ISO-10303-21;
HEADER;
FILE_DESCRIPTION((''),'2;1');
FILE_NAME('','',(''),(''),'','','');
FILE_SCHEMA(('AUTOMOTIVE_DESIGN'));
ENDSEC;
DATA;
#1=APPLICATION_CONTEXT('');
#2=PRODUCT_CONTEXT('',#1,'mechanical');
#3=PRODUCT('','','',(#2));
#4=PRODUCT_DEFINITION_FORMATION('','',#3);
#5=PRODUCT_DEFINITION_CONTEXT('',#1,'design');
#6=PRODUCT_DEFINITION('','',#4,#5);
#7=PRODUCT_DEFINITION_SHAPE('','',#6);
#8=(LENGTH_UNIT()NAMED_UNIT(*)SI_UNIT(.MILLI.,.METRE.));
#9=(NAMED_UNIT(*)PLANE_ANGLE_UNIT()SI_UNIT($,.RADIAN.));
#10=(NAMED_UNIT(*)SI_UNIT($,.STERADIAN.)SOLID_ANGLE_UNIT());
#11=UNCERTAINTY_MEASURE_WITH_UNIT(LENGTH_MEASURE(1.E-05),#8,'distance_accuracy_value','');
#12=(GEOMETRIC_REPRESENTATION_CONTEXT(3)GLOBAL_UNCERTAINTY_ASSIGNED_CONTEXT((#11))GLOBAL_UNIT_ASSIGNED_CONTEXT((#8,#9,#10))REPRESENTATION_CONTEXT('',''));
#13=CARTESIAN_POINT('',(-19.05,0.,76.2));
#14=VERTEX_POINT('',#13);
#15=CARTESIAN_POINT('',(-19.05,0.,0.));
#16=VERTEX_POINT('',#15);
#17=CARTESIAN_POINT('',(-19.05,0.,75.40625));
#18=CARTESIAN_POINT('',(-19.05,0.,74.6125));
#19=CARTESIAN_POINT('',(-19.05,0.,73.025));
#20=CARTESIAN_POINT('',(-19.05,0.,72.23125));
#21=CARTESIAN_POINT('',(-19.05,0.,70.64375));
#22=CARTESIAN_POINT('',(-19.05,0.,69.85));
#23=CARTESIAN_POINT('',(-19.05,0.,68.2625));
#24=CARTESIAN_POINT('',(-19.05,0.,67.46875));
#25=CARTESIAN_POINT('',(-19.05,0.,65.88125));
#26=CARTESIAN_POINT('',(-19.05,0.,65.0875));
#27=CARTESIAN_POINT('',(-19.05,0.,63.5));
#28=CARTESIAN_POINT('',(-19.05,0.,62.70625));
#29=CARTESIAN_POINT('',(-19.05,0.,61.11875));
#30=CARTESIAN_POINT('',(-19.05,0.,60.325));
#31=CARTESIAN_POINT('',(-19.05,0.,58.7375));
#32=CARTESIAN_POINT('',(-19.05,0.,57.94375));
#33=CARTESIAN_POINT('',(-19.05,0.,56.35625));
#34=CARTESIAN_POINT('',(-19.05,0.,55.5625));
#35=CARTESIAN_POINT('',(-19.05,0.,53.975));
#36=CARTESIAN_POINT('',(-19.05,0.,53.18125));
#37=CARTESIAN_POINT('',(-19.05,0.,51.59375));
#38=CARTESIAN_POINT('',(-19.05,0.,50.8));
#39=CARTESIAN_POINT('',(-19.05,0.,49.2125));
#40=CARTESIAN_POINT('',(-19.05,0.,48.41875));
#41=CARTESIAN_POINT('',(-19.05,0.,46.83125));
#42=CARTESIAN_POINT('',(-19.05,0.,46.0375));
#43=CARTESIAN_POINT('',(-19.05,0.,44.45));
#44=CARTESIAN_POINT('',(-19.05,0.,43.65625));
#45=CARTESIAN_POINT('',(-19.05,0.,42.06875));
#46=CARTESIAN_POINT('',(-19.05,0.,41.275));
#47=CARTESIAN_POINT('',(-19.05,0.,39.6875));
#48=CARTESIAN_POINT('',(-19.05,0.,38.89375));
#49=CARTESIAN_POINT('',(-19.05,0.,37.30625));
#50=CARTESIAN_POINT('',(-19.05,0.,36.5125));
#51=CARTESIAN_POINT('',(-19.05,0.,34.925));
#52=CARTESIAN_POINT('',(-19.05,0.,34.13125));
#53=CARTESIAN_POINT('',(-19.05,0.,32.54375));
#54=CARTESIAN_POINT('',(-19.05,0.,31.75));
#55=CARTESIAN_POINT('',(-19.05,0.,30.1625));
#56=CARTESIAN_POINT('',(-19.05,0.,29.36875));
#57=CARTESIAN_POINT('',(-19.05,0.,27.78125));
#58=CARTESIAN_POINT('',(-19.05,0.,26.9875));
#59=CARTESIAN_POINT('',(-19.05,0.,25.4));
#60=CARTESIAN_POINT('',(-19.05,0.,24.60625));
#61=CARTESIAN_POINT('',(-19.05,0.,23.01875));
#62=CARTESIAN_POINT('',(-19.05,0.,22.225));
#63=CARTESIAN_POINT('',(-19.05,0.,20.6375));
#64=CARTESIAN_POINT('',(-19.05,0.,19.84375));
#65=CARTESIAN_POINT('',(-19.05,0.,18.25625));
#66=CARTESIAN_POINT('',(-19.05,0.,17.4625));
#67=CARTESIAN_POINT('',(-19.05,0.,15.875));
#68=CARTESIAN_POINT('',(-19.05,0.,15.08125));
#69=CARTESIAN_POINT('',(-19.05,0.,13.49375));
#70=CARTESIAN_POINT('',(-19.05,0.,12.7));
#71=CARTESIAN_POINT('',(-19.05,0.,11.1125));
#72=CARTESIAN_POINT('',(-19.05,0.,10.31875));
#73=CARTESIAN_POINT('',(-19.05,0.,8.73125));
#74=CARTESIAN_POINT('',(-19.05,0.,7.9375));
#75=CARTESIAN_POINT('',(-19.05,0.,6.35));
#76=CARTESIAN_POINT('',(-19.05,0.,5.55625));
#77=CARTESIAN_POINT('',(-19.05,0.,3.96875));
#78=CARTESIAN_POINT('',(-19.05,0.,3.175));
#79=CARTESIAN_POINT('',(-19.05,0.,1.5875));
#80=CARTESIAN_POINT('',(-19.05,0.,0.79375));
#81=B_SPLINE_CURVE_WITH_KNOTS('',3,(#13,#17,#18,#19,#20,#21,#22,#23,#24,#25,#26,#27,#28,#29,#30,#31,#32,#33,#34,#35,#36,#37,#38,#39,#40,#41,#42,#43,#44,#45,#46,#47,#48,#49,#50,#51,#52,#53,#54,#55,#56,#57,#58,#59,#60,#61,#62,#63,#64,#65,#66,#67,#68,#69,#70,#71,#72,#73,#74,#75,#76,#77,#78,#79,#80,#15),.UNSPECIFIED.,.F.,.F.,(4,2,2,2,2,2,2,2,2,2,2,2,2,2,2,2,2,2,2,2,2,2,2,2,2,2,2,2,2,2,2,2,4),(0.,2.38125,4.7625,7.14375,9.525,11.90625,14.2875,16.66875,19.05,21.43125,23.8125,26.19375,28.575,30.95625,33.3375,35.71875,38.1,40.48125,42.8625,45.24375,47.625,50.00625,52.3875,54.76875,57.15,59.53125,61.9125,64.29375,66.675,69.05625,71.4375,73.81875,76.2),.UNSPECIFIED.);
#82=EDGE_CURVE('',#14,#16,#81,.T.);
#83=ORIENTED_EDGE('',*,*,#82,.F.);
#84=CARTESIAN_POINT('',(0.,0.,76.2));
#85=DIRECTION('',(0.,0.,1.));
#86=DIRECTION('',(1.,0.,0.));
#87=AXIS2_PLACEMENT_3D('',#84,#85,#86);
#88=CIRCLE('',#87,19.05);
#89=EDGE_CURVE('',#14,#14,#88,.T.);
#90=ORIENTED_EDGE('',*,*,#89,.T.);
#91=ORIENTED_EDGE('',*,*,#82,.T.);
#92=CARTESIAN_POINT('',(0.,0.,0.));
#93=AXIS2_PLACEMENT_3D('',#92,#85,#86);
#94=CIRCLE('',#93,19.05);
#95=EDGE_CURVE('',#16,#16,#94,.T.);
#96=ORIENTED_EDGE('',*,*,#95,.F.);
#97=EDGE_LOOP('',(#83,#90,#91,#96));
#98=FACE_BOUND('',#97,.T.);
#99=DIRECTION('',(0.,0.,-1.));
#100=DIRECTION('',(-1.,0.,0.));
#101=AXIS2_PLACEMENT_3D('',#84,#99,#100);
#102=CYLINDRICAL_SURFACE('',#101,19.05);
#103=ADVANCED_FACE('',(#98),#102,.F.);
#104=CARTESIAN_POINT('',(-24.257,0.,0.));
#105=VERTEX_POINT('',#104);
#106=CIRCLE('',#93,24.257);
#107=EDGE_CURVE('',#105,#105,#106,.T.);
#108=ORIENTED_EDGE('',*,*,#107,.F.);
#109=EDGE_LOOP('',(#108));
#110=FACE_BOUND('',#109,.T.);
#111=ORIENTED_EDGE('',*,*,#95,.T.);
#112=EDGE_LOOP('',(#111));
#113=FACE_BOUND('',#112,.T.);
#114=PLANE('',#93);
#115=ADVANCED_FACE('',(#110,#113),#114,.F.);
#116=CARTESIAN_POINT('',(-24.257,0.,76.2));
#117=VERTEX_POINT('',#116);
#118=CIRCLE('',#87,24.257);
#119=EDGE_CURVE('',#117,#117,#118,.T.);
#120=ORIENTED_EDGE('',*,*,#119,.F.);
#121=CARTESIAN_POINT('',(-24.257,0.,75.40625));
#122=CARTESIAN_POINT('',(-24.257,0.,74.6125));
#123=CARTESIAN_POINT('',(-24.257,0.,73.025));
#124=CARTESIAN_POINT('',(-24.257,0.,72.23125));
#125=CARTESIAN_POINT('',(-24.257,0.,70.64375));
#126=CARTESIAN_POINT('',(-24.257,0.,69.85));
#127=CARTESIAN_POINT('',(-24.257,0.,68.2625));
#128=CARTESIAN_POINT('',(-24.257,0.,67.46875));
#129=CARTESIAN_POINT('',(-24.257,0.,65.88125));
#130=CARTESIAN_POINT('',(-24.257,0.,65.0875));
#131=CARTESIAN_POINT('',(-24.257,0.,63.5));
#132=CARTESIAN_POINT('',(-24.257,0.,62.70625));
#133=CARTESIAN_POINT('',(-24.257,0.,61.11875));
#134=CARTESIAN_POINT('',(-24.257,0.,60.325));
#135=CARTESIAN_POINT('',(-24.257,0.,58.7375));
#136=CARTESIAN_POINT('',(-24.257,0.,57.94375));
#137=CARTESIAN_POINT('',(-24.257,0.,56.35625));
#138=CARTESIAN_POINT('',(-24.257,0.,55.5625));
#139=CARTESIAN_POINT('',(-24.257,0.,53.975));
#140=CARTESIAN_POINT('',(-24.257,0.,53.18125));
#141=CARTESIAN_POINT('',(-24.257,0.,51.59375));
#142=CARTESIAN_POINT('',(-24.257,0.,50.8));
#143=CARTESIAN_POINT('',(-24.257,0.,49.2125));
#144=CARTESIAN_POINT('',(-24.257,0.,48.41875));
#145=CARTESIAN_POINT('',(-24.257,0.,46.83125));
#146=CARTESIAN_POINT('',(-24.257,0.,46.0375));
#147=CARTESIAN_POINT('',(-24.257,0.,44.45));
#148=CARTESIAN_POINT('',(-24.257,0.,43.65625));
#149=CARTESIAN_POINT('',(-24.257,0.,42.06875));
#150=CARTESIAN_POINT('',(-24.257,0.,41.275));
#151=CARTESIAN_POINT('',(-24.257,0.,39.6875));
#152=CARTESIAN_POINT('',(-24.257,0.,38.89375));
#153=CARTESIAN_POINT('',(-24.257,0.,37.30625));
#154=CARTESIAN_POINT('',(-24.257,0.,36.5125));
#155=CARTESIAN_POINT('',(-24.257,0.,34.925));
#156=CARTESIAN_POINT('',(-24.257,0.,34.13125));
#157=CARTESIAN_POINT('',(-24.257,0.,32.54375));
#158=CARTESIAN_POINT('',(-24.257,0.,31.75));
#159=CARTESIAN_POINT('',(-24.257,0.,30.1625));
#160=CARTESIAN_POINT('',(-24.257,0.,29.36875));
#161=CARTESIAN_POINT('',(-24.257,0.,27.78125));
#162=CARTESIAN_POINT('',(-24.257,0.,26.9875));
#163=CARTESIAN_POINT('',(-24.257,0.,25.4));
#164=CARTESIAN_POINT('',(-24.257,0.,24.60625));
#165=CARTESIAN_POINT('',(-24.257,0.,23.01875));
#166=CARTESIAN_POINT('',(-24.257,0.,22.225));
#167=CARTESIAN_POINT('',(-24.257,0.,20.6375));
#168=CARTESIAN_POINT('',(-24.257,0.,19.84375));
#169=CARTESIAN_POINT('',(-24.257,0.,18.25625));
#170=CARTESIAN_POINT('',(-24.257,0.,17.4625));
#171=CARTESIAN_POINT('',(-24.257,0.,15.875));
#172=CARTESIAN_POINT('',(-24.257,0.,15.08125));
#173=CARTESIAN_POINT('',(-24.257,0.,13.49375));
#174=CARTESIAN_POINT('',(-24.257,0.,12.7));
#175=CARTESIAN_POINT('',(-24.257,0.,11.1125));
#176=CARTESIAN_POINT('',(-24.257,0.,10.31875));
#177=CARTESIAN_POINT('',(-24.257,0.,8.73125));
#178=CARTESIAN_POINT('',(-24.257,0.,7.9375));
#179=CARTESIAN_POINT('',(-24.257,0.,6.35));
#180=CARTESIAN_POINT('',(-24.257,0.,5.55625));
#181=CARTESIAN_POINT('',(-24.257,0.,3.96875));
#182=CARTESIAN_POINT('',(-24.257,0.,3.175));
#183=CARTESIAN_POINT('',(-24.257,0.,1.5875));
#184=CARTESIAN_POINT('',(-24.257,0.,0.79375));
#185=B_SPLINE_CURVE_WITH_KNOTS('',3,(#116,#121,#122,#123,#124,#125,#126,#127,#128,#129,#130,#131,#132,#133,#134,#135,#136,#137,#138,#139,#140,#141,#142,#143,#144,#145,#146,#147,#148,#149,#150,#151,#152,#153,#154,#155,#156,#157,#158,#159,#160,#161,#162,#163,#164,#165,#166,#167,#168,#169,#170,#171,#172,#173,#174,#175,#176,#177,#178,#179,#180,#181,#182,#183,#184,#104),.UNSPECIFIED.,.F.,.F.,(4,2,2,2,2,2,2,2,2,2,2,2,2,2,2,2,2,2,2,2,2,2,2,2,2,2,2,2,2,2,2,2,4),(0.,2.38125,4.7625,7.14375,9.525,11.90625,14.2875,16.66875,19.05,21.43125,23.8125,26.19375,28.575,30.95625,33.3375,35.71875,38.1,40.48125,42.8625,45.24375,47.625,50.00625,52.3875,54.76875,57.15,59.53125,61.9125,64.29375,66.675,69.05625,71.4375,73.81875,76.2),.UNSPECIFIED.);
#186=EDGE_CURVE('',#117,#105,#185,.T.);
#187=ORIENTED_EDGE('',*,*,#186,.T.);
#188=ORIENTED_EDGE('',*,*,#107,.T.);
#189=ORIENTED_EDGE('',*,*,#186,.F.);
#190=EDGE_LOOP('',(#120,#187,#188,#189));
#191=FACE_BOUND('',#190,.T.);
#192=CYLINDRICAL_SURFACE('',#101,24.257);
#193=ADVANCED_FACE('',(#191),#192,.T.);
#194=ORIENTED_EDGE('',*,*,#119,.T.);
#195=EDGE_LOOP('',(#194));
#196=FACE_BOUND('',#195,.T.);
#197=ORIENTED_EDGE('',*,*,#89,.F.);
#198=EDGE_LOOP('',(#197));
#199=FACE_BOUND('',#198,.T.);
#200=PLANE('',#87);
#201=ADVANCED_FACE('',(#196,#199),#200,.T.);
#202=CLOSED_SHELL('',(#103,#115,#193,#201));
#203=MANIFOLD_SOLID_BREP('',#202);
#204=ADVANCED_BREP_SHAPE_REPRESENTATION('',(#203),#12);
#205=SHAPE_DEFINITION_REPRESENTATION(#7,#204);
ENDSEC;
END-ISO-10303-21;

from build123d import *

# Parameters (mm, degrees)
SKETCH1_R           = 24.257
SKETCH1_R_2         = 19.05
BOSS_EXTRUDE1_DEPTH = 76.2


with BuildPart() as part:
    # Sketch1 → Boss-Extrude1 (new body)
    with BuildSketch(Plane.XY):
        with Locations(Location((0, 0, 0), (0, 0, 180))):
            Circle(SKETCH1_R)
        with Locations(Location((0, 0, 0), (0, 0, 180))):
            Circle(SKETCH1_R_2, mode=Mode.SUBTRACT)
    extrude(amount=BOSS_EXTRUDE1_DEPTH)


solid = part.part
